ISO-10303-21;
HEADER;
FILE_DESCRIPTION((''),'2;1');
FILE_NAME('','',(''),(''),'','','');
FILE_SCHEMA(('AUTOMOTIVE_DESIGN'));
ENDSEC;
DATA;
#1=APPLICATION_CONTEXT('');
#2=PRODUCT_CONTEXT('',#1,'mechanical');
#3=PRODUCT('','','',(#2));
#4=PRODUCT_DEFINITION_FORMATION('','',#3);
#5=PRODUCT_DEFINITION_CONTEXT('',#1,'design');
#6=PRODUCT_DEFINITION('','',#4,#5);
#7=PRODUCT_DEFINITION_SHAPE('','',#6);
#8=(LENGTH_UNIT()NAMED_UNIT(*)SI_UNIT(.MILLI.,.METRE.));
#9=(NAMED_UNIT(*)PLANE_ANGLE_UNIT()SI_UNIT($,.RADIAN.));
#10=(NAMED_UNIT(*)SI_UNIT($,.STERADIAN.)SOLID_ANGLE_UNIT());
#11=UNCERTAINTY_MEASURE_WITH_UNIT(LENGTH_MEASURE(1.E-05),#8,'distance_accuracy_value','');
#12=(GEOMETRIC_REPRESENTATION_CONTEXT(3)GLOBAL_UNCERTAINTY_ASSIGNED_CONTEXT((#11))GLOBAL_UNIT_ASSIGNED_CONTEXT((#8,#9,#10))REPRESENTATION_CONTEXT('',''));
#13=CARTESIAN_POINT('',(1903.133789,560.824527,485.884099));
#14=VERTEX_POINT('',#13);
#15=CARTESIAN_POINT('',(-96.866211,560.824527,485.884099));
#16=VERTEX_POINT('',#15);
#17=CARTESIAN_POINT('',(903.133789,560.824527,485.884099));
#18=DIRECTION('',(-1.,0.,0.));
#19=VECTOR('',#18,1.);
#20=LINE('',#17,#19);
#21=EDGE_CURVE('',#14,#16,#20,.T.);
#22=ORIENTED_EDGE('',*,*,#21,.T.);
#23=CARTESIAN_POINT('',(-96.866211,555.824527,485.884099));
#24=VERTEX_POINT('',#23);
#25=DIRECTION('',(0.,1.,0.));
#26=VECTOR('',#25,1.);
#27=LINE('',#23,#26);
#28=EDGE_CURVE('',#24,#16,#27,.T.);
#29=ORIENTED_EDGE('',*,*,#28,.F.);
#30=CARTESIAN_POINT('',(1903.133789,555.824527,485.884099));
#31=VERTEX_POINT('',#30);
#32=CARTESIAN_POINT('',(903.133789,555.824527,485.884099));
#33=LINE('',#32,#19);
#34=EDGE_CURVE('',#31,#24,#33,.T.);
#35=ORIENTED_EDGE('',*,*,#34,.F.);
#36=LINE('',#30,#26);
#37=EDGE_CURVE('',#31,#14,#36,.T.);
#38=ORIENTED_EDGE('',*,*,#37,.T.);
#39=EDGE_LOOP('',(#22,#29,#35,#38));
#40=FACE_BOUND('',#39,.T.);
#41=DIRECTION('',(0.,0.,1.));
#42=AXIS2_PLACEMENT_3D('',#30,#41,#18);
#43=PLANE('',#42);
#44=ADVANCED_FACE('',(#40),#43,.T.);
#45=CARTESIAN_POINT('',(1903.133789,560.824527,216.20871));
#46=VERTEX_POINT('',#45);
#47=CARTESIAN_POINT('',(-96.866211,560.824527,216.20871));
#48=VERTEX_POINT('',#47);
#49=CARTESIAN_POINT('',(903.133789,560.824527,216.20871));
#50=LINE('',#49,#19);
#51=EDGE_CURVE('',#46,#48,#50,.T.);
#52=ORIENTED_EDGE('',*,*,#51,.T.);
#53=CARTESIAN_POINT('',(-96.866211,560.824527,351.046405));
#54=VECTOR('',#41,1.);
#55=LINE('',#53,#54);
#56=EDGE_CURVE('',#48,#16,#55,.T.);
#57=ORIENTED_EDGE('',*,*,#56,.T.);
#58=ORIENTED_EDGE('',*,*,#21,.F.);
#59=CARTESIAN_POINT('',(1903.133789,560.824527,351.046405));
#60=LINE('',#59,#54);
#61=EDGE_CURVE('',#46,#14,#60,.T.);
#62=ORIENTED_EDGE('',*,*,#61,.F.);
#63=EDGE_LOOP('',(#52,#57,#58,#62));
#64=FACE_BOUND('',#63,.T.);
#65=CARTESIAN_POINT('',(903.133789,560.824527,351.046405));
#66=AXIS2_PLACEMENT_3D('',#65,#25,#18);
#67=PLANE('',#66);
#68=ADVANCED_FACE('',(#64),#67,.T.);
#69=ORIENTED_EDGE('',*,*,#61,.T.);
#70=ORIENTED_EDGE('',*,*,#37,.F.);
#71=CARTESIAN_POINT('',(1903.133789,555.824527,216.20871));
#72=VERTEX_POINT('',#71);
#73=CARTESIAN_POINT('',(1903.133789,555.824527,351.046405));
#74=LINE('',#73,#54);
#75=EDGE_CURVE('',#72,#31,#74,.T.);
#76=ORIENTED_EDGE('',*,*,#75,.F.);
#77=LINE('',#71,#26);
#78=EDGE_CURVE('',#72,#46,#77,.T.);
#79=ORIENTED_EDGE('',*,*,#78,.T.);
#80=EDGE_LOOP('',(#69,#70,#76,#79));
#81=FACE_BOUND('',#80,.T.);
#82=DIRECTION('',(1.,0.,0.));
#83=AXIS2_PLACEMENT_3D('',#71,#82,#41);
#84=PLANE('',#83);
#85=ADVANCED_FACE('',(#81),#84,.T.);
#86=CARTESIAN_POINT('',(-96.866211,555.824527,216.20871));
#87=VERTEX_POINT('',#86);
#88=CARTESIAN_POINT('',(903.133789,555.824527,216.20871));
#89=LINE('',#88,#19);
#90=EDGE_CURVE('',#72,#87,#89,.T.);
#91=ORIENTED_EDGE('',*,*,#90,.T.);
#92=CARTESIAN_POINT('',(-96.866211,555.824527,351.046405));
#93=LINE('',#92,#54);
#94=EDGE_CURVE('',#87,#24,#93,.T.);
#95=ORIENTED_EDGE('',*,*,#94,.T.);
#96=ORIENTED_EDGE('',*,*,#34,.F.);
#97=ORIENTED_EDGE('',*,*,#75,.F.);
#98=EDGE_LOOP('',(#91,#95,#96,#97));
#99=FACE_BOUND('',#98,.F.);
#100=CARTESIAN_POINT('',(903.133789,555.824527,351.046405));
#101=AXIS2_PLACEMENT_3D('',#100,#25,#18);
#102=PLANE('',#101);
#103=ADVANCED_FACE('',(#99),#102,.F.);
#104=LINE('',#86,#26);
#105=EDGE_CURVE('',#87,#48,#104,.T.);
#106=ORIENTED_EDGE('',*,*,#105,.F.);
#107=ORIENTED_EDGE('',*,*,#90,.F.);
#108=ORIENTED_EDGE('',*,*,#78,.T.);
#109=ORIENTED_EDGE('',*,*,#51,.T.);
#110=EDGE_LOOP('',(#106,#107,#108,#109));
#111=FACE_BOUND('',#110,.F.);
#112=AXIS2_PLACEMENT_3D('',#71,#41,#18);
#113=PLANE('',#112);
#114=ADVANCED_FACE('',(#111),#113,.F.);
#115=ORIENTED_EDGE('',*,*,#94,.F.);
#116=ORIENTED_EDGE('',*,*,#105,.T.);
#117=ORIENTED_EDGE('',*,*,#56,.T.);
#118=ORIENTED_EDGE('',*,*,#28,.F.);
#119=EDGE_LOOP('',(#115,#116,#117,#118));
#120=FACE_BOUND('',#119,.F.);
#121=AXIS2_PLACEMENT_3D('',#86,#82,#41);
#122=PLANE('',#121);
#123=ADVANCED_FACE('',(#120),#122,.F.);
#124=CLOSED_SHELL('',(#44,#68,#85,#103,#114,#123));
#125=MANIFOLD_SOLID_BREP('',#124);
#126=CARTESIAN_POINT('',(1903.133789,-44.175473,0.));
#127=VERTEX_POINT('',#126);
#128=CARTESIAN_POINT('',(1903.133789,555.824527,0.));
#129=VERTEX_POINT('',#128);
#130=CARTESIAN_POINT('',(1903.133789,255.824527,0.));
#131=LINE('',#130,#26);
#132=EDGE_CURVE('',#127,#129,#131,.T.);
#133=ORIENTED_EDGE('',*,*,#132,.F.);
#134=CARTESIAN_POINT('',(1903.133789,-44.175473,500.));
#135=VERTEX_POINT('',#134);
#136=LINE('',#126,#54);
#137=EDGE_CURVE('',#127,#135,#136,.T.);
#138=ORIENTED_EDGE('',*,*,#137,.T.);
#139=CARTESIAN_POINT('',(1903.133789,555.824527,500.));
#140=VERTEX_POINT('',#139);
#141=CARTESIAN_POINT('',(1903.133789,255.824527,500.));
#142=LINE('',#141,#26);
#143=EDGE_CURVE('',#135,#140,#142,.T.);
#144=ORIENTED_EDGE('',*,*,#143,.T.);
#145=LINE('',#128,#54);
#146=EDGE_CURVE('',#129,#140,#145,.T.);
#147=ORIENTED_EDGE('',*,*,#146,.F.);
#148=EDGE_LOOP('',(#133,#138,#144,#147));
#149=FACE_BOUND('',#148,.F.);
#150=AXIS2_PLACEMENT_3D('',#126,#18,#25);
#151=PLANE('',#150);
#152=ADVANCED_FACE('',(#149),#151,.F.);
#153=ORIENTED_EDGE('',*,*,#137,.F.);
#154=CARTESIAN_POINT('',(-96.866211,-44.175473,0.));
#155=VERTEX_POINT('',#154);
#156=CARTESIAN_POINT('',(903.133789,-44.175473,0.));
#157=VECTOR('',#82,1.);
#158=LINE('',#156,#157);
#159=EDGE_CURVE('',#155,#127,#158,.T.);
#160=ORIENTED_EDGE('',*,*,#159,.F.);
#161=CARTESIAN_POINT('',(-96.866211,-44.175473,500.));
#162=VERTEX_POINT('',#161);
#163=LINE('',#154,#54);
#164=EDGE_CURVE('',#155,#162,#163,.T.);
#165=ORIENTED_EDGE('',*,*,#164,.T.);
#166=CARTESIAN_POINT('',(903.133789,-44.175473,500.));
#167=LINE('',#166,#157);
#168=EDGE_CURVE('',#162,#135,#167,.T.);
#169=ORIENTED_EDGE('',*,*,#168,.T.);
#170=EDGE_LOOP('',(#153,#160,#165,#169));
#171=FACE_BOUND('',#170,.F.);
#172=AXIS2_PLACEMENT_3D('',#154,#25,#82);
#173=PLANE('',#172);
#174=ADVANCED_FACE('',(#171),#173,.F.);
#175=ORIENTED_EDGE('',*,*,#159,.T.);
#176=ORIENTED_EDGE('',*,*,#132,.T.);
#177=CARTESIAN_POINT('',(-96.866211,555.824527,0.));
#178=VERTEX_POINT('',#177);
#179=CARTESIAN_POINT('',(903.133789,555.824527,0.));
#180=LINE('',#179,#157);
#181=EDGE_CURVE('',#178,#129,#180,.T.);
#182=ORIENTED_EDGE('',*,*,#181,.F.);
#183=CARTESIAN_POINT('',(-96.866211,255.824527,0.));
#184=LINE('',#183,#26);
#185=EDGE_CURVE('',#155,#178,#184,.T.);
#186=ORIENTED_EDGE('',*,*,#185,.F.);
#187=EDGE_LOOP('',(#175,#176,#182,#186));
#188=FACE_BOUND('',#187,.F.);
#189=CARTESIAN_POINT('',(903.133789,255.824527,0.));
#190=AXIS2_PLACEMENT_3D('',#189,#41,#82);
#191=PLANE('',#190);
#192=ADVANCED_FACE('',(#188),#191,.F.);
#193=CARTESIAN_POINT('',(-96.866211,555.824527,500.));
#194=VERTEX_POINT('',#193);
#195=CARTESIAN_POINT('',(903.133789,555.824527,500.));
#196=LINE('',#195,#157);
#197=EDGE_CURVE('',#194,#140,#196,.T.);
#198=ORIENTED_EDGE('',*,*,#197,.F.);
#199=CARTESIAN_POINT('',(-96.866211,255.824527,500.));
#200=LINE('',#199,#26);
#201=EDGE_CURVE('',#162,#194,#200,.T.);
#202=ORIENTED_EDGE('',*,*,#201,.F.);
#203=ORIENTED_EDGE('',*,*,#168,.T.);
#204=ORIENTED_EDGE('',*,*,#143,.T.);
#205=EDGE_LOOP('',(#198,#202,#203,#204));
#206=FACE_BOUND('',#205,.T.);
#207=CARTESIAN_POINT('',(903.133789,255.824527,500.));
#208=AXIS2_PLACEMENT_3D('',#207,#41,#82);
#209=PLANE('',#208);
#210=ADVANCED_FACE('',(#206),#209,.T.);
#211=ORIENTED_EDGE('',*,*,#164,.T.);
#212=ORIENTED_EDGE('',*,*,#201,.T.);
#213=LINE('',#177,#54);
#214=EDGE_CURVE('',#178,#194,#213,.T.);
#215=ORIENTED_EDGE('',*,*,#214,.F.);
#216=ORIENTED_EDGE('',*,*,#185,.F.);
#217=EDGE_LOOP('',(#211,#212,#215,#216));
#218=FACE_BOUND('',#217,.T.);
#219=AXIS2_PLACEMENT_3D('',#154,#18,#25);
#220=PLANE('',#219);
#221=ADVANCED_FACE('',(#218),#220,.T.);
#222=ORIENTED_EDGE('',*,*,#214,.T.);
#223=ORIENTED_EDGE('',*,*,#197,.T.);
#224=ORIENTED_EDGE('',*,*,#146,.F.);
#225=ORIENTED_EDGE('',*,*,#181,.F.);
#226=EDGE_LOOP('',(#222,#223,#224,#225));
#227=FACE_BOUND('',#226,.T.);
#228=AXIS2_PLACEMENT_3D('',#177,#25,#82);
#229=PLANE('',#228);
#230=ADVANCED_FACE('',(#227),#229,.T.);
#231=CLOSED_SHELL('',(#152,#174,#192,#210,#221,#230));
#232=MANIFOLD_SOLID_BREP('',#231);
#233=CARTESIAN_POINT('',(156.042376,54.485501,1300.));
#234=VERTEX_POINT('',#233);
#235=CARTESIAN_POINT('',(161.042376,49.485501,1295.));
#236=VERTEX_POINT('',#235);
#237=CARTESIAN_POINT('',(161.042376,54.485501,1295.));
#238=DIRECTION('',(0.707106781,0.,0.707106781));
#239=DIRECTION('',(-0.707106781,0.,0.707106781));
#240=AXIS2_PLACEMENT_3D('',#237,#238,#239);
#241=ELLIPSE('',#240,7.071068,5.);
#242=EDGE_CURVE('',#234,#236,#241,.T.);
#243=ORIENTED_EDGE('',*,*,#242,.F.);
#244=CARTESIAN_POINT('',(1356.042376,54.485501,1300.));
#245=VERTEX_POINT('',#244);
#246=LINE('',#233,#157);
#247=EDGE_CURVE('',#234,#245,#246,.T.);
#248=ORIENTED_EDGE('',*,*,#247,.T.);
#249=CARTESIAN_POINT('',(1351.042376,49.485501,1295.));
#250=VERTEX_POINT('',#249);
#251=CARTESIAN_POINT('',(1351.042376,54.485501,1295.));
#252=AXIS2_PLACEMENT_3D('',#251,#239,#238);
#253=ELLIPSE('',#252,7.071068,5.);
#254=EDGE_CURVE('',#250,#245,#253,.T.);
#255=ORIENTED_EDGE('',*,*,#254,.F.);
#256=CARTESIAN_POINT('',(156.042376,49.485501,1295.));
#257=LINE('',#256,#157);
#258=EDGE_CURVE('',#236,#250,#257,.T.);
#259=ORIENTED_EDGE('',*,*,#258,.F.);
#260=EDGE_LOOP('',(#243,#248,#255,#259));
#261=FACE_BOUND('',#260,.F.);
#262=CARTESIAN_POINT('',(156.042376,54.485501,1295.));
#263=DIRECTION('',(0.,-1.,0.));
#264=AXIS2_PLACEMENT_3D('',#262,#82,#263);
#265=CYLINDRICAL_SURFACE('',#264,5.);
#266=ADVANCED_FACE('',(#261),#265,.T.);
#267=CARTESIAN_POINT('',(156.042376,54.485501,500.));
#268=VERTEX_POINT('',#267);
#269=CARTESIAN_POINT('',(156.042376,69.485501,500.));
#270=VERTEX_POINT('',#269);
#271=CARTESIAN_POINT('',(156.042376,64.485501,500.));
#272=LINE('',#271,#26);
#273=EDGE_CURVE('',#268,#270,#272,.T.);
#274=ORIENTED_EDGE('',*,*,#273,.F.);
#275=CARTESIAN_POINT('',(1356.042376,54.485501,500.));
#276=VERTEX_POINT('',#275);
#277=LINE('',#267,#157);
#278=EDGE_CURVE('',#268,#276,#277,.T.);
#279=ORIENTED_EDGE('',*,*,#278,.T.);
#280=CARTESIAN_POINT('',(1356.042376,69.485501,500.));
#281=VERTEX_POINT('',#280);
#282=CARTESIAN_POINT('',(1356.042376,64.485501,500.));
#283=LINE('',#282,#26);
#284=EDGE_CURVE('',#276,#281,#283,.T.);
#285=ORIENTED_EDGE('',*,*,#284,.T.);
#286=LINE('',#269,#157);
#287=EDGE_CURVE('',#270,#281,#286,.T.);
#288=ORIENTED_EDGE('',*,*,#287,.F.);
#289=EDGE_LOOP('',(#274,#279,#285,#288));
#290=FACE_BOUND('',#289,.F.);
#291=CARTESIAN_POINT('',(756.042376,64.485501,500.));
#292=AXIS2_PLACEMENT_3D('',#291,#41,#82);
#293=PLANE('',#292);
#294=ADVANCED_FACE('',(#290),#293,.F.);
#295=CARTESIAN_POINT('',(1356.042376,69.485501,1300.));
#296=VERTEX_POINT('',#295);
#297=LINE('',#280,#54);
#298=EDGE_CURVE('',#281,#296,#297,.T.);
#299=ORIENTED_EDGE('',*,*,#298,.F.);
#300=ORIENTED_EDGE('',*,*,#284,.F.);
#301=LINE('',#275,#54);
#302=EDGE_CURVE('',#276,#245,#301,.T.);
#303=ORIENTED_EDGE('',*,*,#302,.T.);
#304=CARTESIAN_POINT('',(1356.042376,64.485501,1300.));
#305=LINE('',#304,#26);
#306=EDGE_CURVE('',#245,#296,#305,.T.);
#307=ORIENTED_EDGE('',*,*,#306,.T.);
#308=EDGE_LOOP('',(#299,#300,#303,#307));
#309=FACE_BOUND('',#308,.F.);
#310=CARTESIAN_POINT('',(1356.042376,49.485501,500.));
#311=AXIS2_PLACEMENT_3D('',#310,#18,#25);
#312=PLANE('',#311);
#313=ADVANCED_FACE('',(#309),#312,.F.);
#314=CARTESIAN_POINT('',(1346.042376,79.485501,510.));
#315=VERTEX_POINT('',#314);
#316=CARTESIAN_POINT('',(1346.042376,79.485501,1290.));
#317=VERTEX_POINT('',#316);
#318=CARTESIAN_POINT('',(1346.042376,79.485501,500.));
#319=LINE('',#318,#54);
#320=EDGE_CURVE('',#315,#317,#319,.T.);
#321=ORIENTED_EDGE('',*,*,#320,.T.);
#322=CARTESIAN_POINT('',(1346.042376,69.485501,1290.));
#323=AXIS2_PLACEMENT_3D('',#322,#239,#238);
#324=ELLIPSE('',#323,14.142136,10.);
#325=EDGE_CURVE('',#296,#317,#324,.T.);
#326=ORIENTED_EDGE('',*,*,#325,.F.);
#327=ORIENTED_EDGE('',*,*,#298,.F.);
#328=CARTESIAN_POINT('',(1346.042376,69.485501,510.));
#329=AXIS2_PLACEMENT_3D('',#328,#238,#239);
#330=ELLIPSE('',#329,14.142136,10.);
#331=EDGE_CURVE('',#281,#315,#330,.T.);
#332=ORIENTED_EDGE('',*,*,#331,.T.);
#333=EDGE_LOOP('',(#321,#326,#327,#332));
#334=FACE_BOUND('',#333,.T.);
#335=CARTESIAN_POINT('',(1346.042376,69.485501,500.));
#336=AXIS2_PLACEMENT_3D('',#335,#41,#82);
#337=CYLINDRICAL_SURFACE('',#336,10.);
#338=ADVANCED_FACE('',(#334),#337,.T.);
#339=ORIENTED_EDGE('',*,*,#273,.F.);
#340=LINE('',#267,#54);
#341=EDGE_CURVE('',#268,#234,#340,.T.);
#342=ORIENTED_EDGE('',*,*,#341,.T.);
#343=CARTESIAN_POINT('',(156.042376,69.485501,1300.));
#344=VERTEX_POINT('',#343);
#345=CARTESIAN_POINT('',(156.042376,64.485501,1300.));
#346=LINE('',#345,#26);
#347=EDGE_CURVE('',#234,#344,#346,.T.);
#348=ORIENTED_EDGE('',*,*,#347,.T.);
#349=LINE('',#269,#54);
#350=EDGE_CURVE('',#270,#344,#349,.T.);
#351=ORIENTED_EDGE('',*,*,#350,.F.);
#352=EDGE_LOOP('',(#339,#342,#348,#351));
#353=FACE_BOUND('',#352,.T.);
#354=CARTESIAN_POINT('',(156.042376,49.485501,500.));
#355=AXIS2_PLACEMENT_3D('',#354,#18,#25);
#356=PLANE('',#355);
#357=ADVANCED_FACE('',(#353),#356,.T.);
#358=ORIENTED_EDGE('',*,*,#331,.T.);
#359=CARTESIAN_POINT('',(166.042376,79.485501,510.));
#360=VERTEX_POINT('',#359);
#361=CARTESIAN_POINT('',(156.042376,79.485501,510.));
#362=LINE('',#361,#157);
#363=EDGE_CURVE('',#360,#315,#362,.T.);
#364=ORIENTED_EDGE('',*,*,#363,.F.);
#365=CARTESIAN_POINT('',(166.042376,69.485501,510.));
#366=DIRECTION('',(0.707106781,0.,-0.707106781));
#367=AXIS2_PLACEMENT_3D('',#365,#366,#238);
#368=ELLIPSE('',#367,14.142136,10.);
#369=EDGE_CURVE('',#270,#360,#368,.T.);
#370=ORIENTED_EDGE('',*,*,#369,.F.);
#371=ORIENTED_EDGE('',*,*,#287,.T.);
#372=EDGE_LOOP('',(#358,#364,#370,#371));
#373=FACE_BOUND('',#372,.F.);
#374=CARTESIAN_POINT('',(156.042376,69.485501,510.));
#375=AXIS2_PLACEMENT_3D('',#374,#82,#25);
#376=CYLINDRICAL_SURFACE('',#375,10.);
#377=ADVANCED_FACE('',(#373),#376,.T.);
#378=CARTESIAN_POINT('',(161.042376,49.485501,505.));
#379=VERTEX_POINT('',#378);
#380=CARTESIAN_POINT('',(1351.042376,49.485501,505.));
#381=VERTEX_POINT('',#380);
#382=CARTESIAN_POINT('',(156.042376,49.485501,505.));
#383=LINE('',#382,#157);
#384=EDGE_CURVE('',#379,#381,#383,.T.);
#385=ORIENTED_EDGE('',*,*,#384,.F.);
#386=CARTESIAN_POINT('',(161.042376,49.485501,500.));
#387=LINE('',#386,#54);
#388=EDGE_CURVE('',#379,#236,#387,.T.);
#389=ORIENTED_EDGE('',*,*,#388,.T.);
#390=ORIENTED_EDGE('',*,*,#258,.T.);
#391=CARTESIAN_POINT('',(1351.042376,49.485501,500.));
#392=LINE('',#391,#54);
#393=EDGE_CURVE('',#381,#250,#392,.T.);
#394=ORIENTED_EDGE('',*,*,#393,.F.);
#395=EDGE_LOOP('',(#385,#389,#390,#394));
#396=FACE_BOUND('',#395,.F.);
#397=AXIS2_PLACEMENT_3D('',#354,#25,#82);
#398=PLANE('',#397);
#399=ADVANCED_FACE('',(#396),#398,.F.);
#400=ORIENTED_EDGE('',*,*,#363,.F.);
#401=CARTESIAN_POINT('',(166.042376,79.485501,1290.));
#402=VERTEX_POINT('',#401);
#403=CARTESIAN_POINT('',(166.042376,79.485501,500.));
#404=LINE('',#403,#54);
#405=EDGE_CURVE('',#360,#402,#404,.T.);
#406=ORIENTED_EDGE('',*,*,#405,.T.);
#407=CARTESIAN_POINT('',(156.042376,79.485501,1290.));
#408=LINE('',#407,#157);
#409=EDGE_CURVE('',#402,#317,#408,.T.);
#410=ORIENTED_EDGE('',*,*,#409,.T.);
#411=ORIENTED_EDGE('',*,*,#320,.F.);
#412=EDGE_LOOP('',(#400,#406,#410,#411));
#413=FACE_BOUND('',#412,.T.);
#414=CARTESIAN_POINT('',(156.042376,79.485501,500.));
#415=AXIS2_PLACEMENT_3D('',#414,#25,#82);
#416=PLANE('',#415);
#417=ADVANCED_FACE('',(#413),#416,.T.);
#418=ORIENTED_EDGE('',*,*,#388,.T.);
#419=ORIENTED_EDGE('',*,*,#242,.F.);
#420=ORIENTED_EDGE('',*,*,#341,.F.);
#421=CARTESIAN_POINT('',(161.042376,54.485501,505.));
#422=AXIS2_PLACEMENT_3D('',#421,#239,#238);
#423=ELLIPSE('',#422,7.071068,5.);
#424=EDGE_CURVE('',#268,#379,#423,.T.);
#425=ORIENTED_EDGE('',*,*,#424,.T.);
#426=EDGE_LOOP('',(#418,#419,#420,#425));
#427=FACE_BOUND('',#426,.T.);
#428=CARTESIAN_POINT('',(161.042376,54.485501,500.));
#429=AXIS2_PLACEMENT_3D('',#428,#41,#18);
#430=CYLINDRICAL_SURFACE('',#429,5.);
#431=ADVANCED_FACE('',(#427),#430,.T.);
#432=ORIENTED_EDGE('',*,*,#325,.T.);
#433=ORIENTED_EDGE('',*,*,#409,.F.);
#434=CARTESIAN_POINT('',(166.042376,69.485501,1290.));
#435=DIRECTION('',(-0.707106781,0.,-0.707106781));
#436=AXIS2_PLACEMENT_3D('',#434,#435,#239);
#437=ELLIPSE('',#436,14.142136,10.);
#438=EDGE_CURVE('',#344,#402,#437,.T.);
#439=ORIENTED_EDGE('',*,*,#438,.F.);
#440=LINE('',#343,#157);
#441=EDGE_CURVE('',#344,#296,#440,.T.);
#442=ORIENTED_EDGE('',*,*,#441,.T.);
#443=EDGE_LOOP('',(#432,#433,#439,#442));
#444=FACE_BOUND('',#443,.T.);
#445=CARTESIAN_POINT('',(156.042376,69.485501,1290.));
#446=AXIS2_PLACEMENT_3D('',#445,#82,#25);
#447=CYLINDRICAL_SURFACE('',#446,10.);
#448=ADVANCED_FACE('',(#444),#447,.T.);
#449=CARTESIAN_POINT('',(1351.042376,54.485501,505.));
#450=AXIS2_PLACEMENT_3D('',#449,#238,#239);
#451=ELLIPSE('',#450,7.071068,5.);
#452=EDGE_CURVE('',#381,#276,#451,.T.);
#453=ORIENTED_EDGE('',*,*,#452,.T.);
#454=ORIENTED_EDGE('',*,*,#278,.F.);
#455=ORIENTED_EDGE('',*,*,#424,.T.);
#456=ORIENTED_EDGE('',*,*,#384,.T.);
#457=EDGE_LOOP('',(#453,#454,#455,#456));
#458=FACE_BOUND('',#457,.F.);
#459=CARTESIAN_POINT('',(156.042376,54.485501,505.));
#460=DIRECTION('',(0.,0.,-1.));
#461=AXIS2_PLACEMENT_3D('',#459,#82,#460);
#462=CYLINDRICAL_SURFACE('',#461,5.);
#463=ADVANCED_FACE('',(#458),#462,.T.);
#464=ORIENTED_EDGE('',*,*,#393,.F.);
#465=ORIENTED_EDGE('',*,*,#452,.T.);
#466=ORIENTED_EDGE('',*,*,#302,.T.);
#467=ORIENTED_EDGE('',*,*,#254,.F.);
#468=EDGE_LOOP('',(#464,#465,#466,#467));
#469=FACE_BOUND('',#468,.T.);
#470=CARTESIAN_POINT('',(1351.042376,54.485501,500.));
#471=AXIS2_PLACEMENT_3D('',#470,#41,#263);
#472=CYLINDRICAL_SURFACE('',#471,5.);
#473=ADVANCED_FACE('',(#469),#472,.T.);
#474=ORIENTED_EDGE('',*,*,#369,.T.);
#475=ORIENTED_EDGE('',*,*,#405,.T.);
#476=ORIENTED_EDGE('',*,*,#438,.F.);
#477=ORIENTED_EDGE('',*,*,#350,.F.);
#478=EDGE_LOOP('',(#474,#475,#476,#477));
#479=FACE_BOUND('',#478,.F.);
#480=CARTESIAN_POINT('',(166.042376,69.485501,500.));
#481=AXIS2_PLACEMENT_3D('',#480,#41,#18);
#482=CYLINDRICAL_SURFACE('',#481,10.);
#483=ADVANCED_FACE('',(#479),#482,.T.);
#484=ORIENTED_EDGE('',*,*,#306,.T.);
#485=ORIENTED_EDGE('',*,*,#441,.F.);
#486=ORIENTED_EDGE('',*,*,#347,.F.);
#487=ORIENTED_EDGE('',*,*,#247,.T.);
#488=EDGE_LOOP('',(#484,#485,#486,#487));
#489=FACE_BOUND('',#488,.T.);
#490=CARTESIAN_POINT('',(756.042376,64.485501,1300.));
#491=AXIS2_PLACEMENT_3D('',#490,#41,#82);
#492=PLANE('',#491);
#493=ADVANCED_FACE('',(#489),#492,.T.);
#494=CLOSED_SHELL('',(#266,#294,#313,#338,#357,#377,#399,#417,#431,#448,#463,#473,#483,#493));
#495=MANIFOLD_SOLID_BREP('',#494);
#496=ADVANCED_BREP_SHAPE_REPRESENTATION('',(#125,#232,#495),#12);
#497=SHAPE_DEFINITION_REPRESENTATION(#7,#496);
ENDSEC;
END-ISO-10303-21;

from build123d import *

# Parameters (mm, degrees)
F0_W     = 2000
F0_H     = 600
F1_DEPTH = 500
F2_W     = 1200
F2_H     = 30
F3_DEPTH = 800
F4_R     = 10
F5_R     = 5
F6_W     = 2000
F6_H     = 269.675389
F7_DEPTH = 5


with BuildPart() as f1:
    # F0 (on Top) → F1 (new body)
    with BuildSketch(Plane.XY):
        with Locations((903.133789, 255.824527)):
            Rectangle(F0_W, F0_H)
    extrude(amount=F1_DEPTH)


with BuildPart() as f3:
    # F2 (on face) → F3 (new body)
    with BuildSketch(Plane.XY.offset(500)):
        with Locations((756.042376, 64.485501)):
            Rectangle(F2_W, F2_H)
    extrude(amount=F3_DEPTH)

    # F4
    f4_edges = [f3.edges().sort_by_distance(p)[0] for p in [
        (1356.042376, 79.485501, 900),
        (156.042376, 79.485501, 900),
        (756.042376, 79.485501, 500),
        (756.042376, 79.485501, 1300),
    ]]
    fillet(f4_edges, radius=F4_R)

    # F5
    f5_edges = [f3.edges().sort_by_distance(p)[0] for p in [
        (156.042376, 49.485501, 900),
        (1356.042376, 49.485501, 900),
        (756.042376, 49.485501, 500),
        (756.042376, 49.485501, 1300),
    ]]
    fillet(f5_edges, radius=F5_R)


with BuildPart() as f7:
    # F6 (on face) → F7 (new body)
    with BuildSketch(Plane(origin=(0, 555.824527, 0), x_dir=(-1, 0, 0), z_dir=(0, 1, 0))):
        with Locations((-903.133789, 351.046405)):
            Rectangle(F6_W, F6_H)
    extrude(amount=F7_DEPTH)


solid = Compound([f1.part, f3.part, f7.part])
